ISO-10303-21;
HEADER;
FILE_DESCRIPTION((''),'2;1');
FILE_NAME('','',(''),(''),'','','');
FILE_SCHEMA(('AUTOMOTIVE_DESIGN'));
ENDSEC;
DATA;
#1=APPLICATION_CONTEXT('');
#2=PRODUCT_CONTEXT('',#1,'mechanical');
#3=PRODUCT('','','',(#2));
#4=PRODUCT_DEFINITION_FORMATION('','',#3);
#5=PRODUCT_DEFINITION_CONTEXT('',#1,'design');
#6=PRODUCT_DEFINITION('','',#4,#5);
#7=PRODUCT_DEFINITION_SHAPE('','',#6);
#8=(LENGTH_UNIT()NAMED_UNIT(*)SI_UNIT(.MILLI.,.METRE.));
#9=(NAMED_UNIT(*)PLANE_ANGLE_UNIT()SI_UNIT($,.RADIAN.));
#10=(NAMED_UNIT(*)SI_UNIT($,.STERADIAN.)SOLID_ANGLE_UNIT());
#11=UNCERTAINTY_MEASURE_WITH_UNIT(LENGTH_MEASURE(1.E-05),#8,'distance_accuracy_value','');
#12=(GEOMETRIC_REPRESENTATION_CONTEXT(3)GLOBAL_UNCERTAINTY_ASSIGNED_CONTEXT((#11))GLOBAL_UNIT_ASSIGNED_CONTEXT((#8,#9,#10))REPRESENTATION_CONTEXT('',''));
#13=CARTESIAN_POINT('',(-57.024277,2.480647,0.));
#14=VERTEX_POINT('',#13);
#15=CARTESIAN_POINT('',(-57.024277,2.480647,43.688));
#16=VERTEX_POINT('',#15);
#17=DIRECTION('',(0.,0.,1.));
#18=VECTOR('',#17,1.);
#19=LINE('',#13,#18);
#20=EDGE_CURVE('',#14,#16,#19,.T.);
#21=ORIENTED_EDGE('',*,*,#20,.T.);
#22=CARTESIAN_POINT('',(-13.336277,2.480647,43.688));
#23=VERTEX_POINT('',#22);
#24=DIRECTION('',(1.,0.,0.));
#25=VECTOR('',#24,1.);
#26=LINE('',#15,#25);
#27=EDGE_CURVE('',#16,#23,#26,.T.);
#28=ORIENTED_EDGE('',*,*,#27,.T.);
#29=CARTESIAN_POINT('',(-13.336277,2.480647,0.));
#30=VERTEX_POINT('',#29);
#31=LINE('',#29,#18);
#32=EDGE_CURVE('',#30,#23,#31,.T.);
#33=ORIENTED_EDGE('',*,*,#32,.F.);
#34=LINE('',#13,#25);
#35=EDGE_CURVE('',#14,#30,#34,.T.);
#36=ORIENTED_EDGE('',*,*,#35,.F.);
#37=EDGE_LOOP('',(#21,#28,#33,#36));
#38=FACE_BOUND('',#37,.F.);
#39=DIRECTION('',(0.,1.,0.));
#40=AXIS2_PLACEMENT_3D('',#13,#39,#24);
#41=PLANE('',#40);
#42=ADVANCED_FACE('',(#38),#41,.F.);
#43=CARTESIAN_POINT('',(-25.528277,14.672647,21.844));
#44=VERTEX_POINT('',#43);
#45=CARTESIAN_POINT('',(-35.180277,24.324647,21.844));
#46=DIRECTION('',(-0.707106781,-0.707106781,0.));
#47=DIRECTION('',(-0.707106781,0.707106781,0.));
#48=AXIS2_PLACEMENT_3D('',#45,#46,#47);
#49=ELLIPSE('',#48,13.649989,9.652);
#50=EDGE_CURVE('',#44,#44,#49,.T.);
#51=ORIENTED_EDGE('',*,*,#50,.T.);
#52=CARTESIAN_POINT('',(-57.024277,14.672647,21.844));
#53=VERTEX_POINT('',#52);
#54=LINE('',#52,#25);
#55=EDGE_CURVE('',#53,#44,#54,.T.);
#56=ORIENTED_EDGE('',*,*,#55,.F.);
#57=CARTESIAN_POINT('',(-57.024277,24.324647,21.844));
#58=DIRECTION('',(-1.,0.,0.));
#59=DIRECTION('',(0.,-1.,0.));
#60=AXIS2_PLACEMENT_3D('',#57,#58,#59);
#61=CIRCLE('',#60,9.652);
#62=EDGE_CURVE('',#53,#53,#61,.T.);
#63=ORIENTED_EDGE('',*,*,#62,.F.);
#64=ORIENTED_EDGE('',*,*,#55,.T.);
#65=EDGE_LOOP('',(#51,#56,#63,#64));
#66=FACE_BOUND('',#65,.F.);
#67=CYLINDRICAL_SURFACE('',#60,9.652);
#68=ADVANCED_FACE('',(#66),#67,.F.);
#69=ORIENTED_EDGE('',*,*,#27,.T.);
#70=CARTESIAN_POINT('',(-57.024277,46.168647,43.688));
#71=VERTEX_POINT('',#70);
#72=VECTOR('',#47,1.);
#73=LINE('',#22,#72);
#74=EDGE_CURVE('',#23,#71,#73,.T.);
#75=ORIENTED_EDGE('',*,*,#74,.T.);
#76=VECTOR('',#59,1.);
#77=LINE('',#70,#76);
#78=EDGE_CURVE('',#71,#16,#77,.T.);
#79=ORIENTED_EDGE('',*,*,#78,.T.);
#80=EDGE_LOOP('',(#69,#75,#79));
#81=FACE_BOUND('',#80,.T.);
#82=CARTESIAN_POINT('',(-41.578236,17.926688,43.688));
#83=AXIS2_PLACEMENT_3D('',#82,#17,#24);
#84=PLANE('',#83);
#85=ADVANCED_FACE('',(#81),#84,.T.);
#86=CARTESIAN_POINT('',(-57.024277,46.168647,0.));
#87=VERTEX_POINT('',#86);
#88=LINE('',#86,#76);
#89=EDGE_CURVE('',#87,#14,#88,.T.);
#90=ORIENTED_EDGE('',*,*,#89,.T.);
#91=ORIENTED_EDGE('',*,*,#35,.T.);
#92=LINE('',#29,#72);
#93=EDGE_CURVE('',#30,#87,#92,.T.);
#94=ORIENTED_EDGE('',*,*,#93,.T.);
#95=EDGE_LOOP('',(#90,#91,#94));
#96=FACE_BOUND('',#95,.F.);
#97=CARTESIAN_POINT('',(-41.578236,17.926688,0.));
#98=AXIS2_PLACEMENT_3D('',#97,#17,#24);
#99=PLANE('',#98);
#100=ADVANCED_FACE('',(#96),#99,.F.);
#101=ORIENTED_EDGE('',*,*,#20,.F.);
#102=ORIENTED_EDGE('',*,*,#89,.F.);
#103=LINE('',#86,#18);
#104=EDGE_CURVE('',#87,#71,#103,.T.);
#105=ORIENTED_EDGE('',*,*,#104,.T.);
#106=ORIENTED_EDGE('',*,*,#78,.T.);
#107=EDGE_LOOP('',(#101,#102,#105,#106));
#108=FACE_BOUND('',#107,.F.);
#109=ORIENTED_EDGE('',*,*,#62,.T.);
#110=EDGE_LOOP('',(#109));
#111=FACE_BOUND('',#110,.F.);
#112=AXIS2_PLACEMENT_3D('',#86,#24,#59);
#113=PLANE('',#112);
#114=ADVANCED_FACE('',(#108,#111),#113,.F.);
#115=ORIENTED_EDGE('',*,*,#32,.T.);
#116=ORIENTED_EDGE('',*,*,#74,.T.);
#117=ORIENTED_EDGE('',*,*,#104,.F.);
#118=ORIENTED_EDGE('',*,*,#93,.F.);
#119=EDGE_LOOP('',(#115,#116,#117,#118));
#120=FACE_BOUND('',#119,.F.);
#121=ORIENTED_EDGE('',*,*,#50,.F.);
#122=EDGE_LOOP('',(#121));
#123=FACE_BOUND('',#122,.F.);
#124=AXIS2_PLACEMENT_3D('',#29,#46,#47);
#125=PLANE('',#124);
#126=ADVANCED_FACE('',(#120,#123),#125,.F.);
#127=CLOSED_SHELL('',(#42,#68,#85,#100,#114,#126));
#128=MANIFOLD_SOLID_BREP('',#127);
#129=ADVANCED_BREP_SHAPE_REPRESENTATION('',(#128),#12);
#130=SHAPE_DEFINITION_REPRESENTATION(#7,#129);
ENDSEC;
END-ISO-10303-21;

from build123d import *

# Parameters (mm, degrees)
F1_DEPTH = 43.688
F2_R     = 9.652
F3_DEPTH = 43.689


with BuildPart() as f1:
    # F0 (on Top) → F1 (new body)
    with BuildSketch(Plane.XY):
        Polygon((-57.024277, 46.168647), (-57.024277, 2.480647), (-13.336277, 2.480647), align=None)
    extrude(amount=F1_DEPTH)

    # F2 (on face) → F3 (cut, through all)
    with BuildSketch(Plane(origin=(-57.024277, 0, 0), x_dir=(0, -1, 0), z_dir=(-1, 0, 0))):
        with Locations((-24.324647, 21.844)):
            Circle(F2_R)
    extrude(amount=-F3_DEPTH, mode=Mode.SUBTRACT)


solid = f1.part
